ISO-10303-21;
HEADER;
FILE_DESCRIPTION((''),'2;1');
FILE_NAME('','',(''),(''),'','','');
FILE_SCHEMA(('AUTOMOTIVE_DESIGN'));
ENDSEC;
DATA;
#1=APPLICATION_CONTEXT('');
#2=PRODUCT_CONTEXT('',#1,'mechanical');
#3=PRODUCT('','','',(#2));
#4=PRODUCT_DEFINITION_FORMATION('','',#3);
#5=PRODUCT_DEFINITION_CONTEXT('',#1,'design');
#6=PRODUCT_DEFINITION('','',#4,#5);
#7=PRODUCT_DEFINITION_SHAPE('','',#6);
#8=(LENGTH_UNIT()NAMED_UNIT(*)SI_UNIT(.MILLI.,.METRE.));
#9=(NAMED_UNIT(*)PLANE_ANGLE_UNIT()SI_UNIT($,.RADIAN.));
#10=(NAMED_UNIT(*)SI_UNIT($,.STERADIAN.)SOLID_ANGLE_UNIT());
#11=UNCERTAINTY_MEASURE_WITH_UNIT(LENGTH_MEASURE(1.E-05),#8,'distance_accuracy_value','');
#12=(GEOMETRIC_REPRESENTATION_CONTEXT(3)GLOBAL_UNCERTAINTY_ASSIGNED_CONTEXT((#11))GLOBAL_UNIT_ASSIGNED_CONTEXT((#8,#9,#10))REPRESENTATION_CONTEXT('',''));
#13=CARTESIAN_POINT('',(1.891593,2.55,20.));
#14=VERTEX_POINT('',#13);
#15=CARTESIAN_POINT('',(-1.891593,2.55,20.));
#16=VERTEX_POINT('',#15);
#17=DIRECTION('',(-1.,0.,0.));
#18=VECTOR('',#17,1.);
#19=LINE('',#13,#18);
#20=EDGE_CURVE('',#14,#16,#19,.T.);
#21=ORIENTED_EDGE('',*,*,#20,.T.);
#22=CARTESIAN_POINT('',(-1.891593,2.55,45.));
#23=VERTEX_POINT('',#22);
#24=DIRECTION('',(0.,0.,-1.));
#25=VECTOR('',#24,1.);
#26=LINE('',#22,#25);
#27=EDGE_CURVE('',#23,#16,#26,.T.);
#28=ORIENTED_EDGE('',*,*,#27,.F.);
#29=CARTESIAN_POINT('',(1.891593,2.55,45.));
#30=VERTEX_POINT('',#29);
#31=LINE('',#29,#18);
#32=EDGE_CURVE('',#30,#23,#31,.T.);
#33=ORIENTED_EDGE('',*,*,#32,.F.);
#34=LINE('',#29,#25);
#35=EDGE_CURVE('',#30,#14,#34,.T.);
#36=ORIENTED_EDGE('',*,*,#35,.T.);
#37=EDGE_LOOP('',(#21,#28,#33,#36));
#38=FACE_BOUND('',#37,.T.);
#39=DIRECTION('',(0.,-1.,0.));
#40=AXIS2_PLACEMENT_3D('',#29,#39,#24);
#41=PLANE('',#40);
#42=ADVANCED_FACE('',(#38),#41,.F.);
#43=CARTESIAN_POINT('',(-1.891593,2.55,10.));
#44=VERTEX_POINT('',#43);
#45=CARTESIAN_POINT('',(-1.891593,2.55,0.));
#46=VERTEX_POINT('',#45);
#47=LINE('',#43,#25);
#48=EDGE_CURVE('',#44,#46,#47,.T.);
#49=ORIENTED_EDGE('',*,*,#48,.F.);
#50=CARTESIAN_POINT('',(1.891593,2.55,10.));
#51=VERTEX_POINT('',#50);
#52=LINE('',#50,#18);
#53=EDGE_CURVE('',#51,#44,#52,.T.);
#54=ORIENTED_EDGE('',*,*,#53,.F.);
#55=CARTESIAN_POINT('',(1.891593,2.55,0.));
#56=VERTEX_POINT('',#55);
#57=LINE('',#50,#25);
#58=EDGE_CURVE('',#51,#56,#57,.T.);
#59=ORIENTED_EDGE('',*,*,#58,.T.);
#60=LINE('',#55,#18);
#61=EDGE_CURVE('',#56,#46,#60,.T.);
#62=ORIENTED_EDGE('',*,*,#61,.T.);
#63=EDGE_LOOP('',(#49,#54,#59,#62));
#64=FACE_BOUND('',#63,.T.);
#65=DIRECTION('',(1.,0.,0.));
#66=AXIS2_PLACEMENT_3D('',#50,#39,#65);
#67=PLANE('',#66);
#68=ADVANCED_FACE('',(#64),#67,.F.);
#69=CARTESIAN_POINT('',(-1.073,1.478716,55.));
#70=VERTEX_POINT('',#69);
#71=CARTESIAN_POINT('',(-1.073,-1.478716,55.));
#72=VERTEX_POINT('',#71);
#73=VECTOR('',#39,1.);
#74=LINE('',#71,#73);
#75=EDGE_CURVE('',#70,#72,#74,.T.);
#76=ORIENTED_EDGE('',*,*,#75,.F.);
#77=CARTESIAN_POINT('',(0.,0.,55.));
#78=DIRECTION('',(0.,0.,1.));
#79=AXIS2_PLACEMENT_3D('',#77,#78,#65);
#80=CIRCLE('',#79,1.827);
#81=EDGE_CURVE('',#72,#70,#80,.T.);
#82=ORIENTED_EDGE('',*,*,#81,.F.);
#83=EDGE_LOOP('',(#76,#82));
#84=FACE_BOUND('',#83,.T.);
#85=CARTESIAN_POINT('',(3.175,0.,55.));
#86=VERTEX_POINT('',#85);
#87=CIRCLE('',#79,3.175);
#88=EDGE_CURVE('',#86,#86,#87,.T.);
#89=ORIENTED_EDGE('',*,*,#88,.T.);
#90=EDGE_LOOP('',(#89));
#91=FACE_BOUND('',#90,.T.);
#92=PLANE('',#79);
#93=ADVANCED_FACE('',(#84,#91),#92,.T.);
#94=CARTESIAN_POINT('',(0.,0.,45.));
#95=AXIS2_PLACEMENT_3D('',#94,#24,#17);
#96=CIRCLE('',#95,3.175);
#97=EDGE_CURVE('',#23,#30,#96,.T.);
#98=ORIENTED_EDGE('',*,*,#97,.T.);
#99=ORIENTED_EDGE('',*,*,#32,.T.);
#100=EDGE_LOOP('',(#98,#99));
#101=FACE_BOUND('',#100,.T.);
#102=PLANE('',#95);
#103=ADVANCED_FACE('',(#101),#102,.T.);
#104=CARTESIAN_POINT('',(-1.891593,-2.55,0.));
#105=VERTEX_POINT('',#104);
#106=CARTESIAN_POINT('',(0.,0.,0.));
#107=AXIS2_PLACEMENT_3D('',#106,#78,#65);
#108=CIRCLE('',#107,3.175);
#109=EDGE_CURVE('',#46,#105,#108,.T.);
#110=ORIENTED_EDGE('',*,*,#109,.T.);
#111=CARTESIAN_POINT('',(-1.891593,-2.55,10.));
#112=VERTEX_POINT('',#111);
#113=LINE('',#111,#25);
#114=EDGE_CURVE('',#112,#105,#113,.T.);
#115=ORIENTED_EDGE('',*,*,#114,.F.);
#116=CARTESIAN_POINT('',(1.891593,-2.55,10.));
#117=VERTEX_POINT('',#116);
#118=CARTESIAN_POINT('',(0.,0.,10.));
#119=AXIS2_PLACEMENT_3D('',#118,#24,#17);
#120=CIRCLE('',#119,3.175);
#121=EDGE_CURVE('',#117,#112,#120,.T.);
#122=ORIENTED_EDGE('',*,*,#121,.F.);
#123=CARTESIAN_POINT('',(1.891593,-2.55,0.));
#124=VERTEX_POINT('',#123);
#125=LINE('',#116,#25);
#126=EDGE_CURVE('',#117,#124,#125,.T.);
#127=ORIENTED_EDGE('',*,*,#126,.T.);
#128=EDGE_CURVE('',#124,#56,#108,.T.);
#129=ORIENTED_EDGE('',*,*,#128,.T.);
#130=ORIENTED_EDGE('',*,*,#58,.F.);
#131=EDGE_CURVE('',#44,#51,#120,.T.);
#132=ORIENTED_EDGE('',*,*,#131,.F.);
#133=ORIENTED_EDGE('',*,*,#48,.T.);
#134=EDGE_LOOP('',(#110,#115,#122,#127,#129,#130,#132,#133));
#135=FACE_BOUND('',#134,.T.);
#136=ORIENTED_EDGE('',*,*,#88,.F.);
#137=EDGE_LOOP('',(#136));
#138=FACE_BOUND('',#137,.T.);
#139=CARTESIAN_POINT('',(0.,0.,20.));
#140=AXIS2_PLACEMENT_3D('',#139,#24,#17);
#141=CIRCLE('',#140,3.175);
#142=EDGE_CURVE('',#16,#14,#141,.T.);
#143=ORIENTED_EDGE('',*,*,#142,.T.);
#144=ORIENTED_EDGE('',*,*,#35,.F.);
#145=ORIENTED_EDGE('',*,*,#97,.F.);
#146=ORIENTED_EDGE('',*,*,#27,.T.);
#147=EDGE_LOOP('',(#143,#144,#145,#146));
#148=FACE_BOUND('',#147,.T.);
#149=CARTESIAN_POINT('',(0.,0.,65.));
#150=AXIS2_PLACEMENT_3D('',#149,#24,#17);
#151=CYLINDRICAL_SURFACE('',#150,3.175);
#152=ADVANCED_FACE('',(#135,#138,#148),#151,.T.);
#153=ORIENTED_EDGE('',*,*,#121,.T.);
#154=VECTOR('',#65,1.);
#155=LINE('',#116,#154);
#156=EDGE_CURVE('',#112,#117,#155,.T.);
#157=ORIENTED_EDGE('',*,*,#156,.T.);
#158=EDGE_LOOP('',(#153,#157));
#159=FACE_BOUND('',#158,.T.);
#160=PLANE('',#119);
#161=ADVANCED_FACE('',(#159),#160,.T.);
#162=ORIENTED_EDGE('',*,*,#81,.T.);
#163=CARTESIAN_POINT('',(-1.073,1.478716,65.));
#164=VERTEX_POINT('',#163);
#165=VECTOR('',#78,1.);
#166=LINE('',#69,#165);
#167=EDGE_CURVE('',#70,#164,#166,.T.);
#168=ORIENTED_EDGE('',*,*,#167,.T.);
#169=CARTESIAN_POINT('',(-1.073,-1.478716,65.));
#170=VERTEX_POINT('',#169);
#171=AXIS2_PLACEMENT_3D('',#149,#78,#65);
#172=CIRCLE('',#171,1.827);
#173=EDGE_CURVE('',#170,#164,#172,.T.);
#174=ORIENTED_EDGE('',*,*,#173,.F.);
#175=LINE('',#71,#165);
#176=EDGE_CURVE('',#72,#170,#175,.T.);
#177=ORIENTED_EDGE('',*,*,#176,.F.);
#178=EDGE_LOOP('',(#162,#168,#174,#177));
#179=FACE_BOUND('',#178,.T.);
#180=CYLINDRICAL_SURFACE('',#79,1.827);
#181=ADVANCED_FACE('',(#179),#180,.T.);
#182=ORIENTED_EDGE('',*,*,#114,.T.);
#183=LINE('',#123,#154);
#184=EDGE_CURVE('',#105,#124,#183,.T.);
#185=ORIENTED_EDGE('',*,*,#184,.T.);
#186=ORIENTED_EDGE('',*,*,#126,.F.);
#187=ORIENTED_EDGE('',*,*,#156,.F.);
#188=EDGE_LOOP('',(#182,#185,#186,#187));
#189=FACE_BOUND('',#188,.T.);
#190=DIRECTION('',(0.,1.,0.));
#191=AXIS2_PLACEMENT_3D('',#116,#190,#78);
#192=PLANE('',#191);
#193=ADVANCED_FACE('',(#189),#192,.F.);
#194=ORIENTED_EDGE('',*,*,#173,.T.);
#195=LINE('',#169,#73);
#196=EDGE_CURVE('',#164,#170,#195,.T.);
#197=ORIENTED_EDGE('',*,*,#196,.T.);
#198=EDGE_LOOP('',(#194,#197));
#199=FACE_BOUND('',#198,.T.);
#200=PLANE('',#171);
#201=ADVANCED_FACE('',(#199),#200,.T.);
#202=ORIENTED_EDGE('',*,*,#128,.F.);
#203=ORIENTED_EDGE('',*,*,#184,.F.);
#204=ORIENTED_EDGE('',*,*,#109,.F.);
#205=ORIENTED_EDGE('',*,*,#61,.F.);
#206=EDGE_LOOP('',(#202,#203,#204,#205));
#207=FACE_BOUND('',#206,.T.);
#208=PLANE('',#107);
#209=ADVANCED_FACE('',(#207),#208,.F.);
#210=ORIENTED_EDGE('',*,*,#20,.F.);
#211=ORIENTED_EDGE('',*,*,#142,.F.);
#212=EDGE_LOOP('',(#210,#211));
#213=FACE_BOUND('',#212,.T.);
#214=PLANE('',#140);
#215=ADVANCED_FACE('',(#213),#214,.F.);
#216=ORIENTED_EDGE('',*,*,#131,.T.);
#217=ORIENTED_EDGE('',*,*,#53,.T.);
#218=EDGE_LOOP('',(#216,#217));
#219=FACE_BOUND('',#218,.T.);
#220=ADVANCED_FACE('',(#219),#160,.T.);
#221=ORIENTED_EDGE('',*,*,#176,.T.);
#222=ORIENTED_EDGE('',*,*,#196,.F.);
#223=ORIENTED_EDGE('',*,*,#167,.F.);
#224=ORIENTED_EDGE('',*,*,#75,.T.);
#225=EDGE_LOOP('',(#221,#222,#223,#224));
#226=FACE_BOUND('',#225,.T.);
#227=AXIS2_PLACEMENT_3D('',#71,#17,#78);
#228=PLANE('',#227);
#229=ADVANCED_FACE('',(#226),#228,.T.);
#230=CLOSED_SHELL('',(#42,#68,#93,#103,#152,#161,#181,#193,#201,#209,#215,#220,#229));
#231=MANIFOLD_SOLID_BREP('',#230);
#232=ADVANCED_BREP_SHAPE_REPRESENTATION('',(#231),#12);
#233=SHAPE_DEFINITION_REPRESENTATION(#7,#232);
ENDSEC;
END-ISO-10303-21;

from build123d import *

# Parameters (mm, degrees)
SKETCH1_R           = 3.175
BOSS_EXTRUDE1_DEPTH = 65
CUT_EXTRUDE1_DEPTH  = 10
CUT_EXTRUDE2_DEPTH  = 25
CUT_EXTRUDE3_START  = -10
SKETCH4_R           = 3.175
CUT_EXTRUDE3_DEPTH  = 10


with BuildPart() as part:
    # Sketch1 → Boss-Extrude1 (new body)
    with BuildSketch(Plane.XY):
        Circle(SKETCH1_R)
    extrude(amount=BOSS_EXTRUDE1_DEPTH)

    # Sketch2 → Cut-Extrude1 (cut)
    with BuildSketch(Plane(origin=(0, 0, 0), x_dir=(-1, 0, 0), z_dir=(0, 0, -1))):
        with BuildLine():
            Line((-1.891593244, 2.55), (1.891593244, 2.55))
            ThreePointArc((1.891593244, 2.55), (0, 3.175), (-1.891593244, 2.55))
        make_face()
        with BuildLine():
            Line((-1.891593244, -2.55), (1.891593244, -2.55))
            ThreePointArc((1.891593244, -2.55), (0, -3.175), (-1.891593244, -2.55))
        make_face()
    extrude(amount=-CUT_EXTRUDE1_DEPTH, mode=Mode.SUBTRACT)

    # Sketch3 → Cut-Extrude2 (cut)
    with BuildSketch(Plane(origin=(0, 0, 20), x_dir=(-1, 0, 0), z_dir=(0, 0, -1))):
        with BuildLine():
            Line((-1.891593244, 2.55), (1.891593244, 2.55))
            ThreePointArc((1.891593244, 2.55), (0, 3.175), (-1.891593244, 2.55))
        make_face()
    extrude(amount=-CUT_EXTRUDE2_DEPTH, mode=Mode.SUBTRACT)

    # Sketch4 → Cut-Extrude3 (cut)
    with BuildSketch(Plane.XY.offset(65).offset(CUT_EXTRUDE3_START)):
        with Locations(Location((0, 0, 0), (0, 0, 126.568071017))):
            Circle(SKETCH4_R)
        with BuildLine():
            Line((-1.073, -1.478715659), (-1.073, 1.478715659))
            ThreePointArc((-1.073, 1.478715659), (1.827, 0), (-1.073, -1.478715659))
        make_face(mode=Mode.SUBTRACT)
    extrude(amount=CUT_EXTRUDE3_DEPTH, mode=Mode.SUBTRACT)


solid = part.part
